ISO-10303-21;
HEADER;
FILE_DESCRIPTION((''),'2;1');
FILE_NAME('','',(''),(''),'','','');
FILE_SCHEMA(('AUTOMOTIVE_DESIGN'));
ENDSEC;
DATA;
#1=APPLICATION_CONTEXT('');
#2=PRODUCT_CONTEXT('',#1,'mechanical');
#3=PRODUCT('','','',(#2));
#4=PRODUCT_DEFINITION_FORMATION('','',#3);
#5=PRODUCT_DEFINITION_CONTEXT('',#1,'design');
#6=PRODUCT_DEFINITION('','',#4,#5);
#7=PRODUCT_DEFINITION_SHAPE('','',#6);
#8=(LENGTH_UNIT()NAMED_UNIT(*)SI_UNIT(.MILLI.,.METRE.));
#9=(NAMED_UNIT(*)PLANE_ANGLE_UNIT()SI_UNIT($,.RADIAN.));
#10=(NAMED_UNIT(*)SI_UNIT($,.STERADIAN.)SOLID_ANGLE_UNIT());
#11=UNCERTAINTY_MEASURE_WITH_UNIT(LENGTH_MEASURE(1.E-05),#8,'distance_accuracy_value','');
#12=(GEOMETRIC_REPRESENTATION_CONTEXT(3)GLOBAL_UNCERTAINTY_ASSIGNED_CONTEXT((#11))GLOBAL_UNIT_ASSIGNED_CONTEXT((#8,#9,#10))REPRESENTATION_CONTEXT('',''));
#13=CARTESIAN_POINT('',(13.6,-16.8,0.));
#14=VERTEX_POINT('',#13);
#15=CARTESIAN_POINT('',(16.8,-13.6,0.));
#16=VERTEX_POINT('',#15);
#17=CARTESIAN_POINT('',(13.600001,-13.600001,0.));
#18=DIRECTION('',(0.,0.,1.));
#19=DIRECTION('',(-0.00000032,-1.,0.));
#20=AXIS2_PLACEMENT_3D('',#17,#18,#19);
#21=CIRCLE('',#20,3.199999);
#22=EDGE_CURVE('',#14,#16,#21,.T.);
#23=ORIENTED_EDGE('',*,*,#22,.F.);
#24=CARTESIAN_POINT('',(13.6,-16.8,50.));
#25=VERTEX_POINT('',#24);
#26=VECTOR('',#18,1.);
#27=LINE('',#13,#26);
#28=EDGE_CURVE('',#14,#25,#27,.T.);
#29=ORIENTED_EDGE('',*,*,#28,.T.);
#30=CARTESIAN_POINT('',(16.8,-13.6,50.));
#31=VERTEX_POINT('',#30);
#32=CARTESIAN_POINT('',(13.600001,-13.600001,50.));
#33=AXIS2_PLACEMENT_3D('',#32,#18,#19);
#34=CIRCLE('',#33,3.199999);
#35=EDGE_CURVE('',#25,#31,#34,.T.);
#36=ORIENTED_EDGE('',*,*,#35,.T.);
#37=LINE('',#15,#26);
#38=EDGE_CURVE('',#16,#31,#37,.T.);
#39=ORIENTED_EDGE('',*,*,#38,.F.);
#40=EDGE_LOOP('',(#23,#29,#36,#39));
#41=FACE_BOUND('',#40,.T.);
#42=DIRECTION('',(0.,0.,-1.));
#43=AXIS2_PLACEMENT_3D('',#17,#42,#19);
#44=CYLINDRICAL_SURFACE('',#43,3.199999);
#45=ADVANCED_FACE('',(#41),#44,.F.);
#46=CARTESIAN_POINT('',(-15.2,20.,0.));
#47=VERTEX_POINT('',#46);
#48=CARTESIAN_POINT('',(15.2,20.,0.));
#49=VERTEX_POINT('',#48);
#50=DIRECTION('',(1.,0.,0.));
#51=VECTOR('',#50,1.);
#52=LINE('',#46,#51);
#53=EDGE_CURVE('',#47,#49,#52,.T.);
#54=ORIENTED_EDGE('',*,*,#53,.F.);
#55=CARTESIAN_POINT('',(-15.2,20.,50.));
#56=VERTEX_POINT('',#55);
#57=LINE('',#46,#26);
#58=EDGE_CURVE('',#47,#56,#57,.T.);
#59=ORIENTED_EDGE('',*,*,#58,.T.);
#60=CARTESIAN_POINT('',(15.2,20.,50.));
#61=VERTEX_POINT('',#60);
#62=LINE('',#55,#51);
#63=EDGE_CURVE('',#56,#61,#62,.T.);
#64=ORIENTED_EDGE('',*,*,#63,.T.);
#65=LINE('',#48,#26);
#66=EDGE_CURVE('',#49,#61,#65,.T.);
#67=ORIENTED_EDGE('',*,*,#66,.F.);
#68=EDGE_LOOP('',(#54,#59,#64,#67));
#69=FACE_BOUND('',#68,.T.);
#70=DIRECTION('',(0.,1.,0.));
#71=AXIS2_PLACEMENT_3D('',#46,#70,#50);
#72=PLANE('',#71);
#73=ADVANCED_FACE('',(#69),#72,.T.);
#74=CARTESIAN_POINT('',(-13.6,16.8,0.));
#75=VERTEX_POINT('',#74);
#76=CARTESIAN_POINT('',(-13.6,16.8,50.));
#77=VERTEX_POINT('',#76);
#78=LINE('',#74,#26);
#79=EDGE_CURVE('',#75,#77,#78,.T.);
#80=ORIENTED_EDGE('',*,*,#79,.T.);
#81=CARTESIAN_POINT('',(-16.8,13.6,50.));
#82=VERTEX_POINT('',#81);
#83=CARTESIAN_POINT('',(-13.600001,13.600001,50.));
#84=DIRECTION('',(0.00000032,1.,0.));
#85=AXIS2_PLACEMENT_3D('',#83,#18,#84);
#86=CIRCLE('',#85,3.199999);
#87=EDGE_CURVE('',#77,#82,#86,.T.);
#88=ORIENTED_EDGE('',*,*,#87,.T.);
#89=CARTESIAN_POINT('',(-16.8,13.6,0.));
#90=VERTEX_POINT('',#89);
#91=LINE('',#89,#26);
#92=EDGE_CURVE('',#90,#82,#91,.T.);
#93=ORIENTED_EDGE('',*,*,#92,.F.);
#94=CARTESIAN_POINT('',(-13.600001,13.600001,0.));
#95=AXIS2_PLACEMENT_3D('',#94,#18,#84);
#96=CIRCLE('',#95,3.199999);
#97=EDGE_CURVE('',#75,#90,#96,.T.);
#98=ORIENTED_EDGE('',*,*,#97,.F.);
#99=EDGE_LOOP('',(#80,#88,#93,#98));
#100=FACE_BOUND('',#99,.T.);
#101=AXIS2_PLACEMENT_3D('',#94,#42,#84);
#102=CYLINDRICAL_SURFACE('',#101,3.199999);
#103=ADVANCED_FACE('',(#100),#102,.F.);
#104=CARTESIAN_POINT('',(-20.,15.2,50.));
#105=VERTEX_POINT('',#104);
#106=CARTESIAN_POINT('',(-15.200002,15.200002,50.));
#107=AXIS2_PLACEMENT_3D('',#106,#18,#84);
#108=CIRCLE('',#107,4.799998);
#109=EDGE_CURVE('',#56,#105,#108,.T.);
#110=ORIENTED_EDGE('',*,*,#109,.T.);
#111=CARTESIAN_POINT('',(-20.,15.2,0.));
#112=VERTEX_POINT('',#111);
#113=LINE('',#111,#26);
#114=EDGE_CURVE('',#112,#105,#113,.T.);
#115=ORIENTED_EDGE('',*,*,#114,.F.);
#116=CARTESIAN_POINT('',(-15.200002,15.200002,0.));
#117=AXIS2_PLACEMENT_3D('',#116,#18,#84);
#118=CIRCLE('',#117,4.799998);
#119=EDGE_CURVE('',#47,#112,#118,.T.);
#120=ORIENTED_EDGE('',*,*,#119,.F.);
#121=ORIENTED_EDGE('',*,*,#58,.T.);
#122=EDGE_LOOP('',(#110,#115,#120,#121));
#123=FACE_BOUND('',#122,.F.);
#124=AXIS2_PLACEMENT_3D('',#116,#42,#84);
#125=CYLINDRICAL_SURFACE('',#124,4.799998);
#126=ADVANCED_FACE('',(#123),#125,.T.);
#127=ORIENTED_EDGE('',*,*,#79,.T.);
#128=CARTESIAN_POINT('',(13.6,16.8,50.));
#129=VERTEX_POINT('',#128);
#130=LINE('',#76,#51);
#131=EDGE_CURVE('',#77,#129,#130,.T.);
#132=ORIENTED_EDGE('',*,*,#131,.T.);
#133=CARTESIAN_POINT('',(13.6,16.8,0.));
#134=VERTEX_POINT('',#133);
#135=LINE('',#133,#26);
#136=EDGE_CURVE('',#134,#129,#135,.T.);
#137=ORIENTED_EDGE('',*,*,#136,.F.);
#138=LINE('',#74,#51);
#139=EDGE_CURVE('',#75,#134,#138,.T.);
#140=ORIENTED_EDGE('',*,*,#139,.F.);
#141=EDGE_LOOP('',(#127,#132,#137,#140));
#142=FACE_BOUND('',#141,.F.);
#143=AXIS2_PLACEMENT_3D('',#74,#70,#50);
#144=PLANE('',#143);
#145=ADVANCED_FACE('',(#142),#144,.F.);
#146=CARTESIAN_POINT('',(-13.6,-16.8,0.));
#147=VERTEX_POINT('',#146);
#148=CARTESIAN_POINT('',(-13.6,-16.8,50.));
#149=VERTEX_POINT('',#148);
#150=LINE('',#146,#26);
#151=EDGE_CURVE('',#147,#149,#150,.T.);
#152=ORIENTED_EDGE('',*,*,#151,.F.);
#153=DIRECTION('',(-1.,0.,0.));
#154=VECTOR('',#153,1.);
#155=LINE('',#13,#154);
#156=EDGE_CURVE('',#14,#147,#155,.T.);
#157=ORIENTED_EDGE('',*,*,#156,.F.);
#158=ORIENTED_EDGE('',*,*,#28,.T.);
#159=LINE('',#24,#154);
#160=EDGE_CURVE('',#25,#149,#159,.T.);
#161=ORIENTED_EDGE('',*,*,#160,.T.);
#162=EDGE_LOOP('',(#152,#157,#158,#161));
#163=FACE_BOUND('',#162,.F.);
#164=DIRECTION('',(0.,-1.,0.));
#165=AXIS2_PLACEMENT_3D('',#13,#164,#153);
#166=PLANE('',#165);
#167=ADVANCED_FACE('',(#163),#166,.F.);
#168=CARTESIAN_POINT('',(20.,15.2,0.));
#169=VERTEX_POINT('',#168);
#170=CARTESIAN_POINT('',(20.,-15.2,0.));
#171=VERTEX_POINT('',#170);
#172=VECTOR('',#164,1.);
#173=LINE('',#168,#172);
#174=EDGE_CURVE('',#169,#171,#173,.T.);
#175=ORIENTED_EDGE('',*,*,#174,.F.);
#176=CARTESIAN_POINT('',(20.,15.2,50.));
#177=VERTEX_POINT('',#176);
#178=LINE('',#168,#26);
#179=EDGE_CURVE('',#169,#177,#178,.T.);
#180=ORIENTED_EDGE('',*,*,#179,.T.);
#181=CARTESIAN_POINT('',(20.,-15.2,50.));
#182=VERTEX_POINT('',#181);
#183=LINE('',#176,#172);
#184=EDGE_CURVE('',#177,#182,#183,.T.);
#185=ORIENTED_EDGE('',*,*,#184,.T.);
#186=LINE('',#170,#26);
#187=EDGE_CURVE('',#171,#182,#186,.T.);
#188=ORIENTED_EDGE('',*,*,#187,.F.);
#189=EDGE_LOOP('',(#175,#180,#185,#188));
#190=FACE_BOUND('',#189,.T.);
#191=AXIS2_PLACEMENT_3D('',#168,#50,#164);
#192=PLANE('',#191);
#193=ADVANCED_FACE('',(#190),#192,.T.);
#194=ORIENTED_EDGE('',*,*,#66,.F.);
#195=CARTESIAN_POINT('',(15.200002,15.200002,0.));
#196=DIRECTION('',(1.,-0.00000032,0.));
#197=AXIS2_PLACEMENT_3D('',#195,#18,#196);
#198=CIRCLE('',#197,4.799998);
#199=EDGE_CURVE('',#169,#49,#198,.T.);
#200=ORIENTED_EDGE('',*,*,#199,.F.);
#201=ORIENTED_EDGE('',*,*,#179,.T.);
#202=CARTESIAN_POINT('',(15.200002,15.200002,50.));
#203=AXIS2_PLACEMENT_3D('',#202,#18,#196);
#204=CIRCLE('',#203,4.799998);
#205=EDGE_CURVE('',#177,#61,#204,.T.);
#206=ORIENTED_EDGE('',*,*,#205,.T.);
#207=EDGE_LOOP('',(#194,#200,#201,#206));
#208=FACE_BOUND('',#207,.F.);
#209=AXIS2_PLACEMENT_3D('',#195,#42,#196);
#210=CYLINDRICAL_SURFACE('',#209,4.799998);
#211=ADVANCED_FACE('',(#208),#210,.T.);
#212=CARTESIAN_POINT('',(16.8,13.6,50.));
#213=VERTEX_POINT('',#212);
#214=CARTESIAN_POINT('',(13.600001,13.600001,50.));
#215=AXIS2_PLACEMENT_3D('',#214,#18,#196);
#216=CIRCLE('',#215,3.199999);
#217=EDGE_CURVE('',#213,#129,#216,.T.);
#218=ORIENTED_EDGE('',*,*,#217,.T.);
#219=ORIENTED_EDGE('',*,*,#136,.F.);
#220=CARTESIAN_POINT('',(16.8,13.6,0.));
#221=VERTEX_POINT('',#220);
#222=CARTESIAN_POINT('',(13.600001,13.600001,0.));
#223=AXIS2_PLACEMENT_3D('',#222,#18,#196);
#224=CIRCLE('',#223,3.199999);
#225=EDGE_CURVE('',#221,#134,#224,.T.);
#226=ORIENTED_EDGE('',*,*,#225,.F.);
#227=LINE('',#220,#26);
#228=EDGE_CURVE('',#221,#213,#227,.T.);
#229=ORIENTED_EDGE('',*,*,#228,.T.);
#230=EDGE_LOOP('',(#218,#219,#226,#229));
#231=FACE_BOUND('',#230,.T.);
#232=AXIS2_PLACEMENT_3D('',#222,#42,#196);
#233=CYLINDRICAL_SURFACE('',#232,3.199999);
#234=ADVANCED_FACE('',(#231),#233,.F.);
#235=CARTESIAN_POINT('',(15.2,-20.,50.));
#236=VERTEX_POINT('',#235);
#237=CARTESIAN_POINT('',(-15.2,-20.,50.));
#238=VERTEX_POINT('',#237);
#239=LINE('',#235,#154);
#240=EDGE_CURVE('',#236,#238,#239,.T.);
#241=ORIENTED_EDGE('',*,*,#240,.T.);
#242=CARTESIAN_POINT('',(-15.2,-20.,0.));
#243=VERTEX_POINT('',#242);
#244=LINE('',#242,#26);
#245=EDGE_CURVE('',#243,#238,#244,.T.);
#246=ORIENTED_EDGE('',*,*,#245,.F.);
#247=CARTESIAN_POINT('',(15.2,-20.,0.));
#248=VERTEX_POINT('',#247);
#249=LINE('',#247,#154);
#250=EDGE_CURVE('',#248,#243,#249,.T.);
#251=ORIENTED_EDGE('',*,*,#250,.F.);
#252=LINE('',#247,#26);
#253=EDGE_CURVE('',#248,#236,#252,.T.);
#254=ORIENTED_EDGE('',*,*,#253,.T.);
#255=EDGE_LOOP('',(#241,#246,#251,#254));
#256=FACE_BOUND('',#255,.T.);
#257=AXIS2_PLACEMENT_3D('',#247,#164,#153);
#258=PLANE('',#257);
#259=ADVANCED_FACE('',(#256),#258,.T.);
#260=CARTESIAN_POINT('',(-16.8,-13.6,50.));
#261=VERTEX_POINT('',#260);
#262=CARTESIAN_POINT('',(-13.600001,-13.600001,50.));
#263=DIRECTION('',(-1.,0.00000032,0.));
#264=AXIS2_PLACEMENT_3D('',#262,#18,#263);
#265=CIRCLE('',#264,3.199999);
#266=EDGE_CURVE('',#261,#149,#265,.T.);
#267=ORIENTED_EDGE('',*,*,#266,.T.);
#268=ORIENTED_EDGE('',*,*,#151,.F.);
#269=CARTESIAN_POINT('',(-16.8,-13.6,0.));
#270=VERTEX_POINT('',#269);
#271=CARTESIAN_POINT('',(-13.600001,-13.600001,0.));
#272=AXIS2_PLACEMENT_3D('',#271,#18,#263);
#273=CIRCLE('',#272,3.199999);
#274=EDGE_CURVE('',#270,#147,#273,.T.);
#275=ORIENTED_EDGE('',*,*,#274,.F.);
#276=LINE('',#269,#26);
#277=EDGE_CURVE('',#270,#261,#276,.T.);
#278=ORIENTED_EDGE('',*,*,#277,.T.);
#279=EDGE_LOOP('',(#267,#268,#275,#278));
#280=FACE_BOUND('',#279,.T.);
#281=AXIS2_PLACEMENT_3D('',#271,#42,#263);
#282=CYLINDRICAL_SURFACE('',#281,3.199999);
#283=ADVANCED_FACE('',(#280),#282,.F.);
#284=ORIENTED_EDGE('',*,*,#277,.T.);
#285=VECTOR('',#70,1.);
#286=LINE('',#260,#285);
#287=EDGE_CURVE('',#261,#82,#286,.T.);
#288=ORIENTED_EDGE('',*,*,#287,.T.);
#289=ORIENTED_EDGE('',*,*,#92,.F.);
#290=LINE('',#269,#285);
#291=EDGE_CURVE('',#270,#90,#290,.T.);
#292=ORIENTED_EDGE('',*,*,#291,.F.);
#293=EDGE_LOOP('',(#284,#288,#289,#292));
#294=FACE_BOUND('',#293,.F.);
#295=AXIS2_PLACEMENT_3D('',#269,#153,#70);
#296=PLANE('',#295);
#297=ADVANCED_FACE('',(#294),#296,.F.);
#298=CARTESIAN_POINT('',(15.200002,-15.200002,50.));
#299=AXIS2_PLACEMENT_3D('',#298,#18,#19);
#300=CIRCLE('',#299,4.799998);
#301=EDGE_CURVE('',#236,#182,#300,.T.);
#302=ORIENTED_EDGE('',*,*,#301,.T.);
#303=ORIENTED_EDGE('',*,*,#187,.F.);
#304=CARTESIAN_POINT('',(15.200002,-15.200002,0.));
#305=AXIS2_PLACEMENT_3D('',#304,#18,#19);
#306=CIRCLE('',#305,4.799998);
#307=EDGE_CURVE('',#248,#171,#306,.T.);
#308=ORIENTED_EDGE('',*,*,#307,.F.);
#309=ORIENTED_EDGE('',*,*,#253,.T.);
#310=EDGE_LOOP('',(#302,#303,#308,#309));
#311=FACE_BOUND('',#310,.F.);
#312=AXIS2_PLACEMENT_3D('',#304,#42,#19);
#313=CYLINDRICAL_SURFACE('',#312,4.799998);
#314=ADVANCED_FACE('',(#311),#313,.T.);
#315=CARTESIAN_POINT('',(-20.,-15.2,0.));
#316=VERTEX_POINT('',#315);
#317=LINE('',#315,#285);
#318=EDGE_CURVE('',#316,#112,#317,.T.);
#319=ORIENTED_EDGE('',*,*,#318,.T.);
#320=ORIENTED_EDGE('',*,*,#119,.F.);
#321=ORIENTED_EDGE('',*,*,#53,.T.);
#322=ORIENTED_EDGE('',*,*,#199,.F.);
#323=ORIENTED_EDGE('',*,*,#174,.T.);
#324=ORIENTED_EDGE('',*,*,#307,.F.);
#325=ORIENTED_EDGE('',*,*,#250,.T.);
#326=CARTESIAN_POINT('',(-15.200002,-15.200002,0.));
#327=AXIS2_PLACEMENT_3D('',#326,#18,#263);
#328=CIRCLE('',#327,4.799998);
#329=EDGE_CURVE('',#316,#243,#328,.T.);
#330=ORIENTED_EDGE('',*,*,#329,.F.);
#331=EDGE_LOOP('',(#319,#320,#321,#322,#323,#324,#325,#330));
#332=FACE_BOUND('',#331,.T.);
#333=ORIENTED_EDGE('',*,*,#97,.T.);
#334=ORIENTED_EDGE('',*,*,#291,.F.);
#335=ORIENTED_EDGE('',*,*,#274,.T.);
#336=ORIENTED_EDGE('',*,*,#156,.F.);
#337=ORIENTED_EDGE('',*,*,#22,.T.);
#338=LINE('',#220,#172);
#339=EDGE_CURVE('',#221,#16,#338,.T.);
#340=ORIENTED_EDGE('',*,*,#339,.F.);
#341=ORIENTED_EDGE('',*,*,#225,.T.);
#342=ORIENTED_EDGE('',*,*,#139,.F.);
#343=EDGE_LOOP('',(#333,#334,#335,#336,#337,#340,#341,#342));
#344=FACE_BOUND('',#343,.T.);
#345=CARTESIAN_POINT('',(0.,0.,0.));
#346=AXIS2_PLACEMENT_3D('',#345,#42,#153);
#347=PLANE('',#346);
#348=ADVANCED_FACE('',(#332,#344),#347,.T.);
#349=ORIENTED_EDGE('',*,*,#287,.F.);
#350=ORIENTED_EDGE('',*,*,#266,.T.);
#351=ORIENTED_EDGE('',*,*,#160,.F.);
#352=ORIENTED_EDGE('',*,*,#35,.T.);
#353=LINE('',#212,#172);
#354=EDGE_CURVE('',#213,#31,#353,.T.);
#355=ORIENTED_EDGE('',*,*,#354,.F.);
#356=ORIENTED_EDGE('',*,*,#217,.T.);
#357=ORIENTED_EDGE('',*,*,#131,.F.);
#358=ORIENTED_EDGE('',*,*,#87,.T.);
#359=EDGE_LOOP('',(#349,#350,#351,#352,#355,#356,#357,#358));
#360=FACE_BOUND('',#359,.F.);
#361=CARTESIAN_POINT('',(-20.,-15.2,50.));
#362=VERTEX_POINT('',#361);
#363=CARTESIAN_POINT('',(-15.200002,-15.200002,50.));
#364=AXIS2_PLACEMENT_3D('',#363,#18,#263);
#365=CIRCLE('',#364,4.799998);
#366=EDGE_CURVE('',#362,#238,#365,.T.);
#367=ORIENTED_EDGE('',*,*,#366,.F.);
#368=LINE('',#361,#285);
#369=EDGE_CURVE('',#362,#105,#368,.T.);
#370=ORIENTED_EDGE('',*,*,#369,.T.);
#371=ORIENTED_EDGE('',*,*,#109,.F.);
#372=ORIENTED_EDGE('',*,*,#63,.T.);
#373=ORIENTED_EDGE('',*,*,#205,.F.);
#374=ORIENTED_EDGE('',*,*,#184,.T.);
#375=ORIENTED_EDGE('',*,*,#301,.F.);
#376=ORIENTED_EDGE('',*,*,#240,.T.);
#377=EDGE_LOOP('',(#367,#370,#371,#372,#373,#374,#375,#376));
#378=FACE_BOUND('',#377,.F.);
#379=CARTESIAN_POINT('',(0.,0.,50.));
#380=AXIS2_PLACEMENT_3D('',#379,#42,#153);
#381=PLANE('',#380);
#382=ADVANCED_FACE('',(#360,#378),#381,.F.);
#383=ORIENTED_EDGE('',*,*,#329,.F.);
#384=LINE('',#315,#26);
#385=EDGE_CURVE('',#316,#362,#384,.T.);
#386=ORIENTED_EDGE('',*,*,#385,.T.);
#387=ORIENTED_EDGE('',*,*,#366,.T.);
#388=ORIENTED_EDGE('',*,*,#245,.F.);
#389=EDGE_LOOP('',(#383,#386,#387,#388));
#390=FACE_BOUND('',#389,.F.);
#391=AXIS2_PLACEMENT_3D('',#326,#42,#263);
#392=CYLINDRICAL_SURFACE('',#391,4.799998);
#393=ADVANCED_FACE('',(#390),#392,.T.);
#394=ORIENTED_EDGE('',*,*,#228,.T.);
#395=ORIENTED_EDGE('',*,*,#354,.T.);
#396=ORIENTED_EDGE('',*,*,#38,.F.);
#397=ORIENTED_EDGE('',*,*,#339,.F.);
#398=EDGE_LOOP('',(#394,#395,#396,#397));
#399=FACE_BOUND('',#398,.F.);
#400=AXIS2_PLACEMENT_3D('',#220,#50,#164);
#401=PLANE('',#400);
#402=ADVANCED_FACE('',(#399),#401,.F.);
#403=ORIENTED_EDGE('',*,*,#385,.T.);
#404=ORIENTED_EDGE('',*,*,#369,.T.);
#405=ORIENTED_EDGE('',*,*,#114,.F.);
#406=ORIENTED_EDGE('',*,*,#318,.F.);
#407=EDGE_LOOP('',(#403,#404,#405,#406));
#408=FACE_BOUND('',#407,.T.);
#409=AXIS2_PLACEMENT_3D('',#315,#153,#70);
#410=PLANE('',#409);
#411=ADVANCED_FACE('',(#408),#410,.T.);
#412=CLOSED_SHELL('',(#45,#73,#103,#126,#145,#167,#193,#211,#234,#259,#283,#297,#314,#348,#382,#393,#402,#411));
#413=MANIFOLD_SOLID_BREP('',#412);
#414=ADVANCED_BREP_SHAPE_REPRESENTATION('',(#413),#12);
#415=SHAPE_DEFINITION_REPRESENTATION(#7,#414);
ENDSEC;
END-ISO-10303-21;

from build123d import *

# Parameters (mm, degrees)
EXTRUDE_DEPTH = 50


with BuildPart() as part:
    # Sketch → Extrude (new body)
    with BuildSketch(Plane.XY):
        with BuildLine():
            Line((-15.2, 20), (15.2, 20))
            ThreePointArc((20, 15.2), (18.594113, 18.594113), (15.2, 20))
            Line((20, 15.2), (20, -15.2))
            ThreePointArc((15.2, -20), (18.594113, -18.594113), (20, -15.2))
            Line((15.2, -20), (-15.2, -20))
            ThreePointArc((-20, -15.2), (-18.594113, -18.594113), (-15.2, -20))
            Line((-20, -15.2), (-20, 15.2))
            ThreePointArc((-15.2, 20), (-18.594113, 18.594113), (-20, 15.2))
        make_face()
        with BuildLine():
            Line((-13.6, 16.8), (13.6, 16.8))
            ThreePointArc((16.8, 13.6), (15.862742, 15.862742), (13.6, 16.8))
            Line((16.8, 13.6), (16.8, -13.6))
            ThreePointArc((13.6, -16.8), (15.862742, -15.862742), (16.8, -13.6))
            Line((13.6, -16.8), (-13.6, -16.8))
            ThreePointArc((-16.8, -13.6), (-15.862742, -15.862742), (-13.6, -16.8))
            Line((-16.8, -13.6), (-16.8, 13.6))
            ThreePointArc((-13.6, 16.8), (-15.862742, 15.862742), (-16.8, 13.6))
        make_face(mode=Mode.SUBTRACT)
    extrude(amount=EXTRUDE_DEPTH)


solid = part.part
